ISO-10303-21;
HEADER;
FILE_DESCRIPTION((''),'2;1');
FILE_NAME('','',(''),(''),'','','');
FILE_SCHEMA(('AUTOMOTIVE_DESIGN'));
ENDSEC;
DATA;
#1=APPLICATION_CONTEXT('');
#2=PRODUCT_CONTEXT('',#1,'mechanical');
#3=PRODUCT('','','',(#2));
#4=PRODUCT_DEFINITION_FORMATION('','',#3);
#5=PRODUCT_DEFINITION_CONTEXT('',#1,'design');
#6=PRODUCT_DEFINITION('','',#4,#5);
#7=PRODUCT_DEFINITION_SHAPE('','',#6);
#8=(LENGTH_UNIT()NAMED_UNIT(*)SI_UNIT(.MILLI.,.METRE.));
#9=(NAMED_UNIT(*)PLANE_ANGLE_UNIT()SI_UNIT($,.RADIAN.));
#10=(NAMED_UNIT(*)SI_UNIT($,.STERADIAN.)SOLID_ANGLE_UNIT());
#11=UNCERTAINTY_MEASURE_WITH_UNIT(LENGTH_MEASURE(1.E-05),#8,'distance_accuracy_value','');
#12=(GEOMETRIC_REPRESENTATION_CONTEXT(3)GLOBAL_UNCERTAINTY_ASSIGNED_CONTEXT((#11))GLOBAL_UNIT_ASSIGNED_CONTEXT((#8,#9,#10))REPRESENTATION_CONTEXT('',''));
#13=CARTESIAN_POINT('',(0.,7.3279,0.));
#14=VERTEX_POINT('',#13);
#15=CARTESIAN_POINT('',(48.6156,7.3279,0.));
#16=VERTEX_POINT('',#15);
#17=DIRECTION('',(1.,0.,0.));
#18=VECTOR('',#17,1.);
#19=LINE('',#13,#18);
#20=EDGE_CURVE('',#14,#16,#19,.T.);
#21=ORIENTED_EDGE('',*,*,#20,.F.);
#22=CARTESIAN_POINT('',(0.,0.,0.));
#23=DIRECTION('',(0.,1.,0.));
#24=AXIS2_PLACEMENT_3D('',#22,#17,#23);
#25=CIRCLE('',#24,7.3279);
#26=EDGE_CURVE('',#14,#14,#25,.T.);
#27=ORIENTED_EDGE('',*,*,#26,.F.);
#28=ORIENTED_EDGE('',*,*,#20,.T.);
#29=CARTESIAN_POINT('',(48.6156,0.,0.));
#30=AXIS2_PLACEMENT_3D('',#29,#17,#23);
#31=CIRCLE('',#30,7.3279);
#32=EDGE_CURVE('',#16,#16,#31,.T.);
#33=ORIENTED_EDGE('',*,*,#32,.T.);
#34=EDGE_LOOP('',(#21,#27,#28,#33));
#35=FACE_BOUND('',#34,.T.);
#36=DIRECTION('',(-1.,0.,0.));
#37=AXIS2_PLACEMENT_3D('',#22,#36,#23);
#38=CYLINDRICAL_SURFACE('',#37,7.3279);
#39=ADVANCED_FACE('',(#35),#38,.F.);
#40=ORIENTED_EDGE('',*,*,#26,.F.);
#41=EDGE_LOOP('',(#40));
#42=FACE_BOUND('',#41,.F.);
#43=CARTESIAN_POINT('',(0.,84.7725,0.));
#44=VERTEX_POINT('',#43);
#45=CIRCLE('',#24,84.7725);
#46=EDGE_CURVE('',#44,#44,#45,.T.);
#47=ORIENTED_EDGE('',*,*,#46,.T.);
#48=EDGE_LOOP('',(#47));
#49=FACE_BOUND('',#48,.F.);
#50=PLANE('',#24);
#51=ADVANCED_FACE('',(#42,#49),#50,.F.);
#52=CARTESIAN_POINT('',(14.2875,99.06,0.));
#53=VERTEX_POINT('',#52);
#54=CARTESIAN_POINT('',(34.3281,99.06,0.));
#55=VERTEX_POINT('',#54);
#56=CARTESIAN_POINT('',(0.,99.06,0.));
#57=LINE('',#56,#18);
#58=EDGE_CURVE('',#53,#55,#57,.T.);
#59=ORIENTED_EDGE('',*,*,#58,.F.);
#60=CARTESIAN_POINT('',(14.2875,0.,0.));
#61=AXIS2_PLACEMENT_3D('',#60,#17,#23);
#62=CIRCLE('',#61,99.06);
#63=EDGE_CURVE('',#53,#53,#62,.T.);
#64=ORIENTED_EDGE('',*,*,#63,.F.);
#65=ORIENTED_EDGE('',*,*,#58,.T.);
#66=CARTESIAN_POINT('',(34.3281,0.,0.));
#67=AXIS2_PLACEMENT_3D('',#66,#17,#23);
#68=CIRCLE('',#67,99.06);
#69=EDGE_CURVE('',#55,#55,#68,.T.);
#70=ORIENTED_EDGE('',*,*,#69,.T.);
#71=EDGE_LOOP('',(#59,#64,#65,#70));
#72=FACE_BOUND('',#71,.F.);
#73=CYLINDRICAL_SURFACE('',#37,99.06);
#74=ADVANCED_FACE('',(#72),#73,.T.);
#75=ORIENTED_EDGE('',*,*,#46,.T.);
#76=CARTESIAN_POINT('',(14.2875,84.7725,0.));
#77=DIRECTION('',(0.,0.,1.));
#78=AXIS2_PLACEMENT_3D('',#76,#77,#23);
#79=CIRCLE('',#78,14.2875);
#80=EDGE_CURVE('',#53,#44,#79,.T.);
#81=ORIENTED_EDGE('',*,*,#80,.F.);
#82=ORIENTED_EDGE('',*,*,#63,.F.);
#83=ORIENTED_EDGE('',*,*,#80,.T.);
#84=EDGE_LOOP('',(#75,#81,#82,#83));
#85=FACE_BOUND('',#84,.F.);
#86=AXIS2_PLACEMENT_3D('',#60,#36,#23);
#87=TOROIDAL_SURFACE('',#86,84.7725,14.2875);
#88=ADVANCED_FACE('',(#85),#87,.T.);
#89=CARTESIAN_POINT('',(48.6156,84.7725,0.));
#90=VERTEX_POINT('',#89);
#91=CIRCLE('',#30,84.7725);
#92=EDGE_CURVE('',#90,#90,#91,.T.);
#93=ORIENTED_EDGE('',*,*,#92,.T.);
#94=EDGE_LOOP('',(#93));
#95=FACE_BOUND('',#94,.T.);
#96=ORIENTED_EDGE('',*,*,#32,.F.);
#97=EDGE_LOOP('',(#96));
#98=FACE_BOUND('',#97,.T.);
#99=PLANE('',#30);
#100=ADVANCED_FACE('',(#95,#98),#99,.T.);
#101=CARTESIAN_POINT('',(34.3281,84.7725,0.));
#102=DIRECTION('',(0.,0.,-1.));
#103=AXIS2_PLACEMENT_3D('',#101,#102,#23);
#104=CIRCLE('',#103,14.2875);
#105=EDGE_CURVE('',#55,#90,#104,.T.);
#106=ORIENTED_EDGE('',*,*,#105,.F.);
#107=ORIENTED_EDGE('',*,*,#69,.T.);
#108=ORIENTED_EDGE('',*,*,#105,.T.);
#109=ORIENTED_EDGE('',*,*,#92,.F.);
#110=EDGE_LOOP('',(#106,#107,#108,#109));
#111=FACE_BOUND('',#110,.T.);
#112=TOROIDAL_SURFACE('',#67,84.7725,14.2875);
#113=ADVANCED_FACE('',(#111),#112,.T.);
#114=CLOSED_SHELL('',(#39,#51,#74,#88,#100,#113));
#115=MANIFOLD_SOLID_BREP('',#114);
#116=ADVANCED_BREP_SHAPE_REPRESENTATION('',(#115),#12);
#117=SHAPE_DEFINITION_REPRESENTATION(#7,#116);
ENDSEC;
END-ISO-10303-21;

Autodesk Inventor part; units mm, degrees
ref_plane "YZ Plane" through (0, 0, 0) normal (1, 0, 0) x (0, 1, 0)
ref_plane "XZ Plane" through (0, 0, 0) normal (0, 1, 0) x (-1, 0, 0)
ref_plane "XY Plane" through (0, 0, 0) normal (0, 0, 1) x (1, 0, 0)
sketch "Sketch1" plane through (0, 0, 0) normal (1, 0, 0) x (0, 1, 0)
  circle A0 centre (0, 0) radius 99.06
  circle A1 centre (0, 0) radius 7.3279
  dimension "d0" = 198.12
  dimension "d1" = 14.6558
extrude "Extrusion1" add sketch "Sketch1" along normal blind 48.6156
fillet "Fillet1" radius 14.2875 2 edges at (48.6156, -99.06, 0) (0, -99.06, 0)
properties part number "Wheel"
